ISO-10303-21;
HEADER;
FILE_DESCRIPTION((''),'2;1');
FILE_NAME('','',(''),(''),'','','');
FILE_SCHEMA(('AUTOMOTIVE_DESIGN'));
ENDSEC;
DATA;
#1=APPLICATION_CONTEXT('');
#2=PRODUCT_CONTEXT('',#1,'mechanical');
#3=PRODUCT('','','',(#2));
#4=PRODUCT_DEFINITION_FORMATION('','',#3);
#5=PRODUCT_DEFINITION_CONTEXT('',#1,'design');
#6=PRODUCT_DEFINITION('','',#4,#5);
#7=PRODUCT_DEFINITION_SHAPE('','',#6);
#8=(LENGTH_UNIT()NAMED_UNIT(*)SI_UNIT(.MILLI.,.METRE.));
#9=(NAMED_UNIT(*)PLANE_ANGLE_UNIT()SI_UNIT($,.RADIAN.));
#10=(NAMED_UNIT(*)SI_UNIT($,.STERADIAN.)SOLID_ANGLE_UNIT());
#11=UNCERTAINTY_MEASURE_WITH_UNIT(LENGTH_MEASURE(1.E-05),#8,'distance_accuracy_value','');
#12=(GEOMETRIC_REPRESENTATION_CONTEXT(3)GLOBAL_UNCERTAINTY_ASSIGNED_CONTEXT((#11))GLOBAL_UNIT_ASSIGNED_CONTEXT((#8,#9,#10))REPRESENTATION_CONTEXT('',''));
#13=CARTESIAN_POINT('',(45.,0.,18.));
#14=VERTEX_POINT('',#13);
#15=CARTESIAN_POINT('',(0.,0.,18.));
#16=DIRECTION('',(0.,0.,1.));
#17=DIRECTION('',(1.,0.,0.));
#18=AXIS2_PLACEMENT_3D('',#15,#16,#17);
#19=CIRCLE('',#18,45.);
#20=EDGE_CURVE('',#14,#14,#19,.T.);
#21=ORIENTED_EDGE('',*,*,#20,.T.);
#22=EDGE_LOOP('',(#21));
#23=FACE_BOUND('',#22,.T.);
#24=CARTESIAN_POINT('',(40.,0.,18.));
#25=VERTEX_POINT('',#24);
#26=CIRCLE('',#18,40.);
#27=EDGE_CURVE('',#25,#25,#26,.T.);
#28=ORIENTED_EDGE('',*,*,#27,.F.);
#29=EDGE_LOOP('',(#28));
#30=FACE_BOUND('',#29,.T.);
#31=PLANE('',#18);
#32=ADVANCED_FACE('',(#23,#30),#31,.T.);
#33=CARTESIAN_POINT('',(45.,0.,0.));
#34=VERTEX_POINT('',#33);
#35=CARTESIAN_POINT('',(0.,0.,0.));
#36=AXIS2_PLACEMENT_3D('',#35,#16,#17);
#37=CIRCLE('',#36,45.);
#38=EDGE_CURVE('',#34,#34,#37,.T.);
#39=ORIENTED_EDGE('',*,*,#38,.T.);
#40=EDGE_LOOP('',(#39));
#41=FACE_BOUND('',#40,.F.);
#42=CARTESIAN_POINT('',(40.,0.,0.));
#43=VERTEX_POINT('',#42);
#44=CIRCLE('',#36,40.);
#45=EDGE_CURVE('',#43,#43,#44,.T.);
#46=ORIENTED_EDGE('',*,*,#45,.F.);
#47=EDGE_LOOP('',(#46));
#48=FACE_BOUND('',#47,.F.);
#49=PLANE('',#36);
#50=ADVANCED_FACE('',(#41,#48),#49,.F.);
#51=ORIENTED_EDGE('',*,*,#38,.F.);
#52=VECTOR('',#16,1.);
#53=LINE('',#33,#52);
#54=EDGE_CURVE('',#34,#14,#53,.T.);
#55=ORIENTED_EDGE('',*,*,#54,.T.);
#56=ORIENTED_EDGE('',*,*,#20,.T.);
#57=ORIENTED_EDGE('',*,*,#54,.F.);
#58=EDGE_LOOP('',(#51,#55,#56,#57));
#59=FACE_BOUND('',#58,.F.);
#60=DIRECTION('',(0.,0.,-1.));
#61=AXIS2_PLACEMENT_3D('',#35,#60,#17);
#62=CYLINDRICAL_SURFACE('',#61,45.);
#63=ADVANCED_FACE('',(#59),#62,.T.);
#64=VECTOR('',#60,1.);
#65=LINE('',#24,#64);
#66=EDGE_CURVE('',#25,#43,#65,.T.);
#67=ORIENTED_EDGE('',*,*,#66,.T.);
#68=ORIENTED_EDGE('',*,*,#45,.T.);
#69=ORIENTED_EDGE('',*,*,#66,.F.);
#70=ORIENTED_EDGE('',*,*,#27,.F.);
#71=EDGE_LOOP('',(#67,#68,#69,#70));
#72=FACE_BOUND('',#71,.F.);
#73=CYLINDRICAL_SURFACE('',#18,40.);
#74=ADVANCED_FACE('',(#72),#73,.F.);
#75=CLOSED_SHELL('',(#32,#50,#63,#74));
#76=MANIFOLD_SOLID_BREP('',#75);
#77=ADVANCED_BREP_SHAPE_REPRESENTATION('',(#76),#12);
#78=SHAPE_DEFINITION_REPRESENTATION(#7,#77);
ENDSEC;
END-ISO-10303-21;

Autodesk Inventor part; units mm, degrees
ref_plane "YZ Plane" through (0, 0, 0) normal (1, 0, 0) x (0, 1, 0)
ref_plane "XZ Plane" through (0, 0, 0) normal (0, 1, 0) x (-1, 0, 0)
ref_plane "XY Plane" through (0, 0, 0) normal (0, 0, 1) x (1, 0, 0)
sketch "Skizze1" plane through (0, 0, 0) normal (0, 0, 1) x (1, 0, 0)
  circle A0 centre (0, 0) radius 45
  dimension "d0" = 90
extrude "Extrusion1" add sketch "Skizze1" along normal blind 18
sketch "Skizze2" plane through (0, 0, 18) normal (0, 0, 1) x (1, 0, 0)
  circle A0 centre (0, 0) radius 40
  dimension "d3" = 80
extrude "Extrusion2" cut sketch "Skizze2" against normal up to surface (18 mm away)
properties part number "cylinder" material "Glas"
